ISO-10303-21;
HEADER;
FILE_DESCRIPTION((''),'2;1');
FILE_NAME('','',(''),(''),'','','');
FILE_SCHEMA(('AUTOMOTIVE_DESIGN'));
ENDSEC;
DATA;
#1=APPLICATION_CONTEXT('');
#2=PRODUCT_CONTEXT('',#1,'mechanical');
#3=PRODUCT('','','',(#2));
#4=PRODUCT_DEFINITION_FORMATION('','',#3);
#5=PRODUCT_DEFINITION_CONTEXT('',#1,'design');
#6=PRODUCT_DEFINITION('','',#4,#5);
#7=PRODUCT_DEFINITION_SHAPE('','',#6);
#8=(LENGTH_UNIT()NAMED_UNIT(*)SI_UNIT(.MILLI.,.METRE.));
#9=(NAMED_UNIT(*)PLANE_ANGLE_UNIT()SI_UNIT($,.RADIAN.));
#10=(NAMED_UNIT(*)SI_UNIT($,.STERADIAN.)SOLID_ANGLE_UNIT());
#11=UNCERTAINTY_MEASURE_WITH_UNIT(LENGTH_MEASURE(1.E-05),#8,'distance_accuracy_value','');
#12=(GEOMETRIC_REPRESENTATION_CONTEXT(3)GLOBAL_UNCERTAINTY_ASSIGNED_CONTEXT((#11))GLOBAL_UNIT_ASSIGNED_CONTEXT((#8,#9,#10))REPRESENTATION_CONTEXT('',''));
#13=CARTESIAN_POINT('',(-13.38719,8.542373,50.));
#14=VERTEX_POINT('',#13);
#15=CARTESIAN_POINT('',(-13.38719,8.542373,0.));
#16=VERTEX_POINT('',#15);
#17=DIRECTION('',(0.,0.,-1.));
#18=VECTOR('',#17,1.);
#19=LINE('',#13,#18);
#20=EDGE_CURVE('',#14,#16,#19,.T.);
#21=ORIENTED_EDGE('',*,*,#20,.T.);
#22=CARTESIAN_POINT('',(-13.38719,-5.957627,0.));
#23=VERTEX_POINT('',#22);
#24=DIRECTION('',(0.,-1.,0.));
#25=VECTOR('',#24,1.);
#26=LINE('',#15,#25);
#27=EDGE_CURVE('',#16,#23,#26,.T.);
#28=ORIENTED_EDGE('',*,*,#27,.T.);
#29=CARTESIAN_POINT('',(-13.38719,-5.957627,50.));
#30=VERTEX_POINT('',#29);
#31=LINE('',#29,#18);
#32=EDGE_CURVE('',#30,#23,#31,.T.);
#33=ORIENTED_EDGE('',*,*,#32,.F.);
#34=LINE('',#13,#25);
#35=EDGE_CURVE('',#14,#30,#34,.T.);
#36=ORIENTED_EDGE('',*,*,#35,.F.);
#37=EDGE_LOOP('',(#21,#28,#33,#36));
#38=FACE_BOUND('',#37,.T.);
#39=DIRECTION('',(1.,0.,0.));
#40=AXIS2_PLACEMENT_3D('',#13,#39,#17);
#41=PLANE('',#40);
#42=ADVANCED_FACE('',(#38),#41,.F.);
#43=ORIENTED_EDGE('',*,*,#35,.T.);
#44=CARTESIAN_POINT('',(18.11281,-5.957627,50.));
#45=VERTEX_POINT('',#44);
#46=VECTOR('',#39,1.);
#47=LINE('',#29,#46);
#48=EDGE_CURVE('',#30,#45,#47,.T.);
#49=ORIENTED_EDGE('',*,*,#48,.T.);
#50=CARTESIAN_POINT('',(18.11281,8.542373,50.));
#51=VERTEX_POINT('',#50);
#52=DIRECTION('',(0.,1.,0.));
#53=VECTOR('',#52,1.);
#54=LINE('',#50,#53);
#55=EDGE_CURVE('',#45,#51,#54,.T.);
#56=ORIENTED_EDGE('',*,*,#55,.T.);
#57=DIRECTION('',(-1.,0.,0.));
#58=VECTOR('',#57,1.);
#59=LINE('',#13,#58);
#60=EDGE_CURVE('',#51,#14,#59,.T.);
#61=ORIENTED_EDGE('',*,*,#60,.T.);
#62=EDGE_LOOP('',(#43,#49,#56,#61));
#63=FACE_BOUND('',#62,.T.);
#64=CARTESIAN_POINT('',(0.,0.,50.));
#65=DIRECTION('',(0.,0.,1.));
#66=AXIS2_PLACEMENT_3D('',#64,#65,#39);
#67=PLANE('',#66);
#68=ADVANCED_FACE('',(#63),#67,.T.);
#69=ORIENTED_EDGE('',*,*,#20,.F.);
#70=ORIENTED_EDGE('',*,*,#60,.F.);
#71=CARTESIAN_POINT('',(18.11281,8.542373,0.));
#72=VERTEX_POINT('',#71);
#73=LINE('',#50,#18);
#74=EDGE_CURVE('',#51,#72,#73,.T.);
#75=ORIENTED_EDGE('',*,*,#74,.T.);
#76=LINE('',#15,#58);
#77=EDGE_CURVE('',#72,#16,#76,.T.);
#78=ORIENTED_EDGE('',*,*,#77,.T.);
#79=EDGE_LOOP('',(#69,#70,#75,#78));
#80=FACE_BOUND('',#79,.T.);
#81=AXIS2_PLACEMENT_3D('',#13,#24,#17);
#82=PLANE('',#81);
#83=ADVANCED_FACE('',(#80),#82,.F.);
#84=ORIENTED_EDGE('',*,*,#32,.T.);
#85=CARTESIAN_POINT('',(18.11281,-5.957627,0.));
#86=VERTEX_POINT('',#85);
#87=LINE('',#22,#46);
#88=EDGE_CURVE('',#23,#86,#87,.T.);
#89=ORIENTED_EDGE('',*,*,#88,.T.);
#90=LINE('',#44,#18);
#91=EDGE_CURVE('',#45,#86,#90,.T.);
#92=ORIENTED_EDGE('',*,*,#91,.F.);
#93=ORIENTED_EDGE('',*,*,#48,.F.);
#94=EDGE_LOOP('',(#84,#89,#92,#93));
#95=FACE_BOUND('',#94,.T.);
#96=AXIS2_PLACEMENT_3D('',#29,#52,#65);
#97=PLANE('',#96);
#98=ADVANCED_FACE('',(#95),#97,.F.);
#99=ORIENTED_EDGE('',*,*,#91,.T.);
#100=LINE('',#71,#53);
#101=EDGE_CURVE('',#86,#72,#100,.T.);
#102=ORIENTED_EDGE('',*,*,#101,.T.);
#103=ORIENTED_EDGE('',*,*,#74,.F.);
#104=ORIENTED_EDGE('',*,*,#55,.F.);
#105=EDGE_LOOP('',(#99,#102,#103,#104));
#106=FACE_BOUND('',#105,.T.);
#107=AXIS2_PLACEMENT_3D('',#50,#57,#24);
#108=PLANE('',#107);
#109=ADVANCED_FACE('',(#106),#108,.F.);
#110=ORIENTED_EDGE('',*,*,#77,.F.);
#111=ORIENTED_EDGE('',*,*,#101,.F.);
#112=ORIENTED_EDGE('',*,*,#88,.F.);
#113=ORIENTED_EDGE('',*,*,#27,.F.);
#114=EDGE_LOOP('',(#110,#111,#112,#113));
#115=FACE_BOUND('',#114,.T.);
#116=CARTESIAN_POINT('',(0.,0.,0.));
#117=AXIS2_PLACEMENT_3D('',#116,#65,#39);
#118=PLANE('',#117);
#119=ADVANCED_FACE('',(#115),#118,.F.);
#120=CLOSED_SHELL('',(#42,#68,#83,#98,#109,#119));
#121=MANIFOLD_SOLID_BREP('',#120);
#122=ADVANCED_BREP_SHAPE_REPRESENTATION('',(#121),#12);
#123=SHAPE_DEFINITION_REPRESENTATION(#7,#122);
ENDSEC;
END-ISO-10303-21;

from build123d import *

# Parameters (mm, degrees)
IZIM1_W                     = 31.5
IZIM1_H                     = 14.5
Y_KSEKLIK_EKSTR_ZYON1_DEPTH = 50


with BuildPart() as part:
    # Çizim1 → Yükseklik-Ekstrüzyon1 (new body)
    with BuildSketch(Plane.XY):
        with Locations((2.362810406, 1.292372881)):
            Rectangle(IZIM1_W, IZIM1_H)
    extrude(amount=Y_KSEKLIK_EKSTR_ZYON1_DEPTH)


solid = part.part
